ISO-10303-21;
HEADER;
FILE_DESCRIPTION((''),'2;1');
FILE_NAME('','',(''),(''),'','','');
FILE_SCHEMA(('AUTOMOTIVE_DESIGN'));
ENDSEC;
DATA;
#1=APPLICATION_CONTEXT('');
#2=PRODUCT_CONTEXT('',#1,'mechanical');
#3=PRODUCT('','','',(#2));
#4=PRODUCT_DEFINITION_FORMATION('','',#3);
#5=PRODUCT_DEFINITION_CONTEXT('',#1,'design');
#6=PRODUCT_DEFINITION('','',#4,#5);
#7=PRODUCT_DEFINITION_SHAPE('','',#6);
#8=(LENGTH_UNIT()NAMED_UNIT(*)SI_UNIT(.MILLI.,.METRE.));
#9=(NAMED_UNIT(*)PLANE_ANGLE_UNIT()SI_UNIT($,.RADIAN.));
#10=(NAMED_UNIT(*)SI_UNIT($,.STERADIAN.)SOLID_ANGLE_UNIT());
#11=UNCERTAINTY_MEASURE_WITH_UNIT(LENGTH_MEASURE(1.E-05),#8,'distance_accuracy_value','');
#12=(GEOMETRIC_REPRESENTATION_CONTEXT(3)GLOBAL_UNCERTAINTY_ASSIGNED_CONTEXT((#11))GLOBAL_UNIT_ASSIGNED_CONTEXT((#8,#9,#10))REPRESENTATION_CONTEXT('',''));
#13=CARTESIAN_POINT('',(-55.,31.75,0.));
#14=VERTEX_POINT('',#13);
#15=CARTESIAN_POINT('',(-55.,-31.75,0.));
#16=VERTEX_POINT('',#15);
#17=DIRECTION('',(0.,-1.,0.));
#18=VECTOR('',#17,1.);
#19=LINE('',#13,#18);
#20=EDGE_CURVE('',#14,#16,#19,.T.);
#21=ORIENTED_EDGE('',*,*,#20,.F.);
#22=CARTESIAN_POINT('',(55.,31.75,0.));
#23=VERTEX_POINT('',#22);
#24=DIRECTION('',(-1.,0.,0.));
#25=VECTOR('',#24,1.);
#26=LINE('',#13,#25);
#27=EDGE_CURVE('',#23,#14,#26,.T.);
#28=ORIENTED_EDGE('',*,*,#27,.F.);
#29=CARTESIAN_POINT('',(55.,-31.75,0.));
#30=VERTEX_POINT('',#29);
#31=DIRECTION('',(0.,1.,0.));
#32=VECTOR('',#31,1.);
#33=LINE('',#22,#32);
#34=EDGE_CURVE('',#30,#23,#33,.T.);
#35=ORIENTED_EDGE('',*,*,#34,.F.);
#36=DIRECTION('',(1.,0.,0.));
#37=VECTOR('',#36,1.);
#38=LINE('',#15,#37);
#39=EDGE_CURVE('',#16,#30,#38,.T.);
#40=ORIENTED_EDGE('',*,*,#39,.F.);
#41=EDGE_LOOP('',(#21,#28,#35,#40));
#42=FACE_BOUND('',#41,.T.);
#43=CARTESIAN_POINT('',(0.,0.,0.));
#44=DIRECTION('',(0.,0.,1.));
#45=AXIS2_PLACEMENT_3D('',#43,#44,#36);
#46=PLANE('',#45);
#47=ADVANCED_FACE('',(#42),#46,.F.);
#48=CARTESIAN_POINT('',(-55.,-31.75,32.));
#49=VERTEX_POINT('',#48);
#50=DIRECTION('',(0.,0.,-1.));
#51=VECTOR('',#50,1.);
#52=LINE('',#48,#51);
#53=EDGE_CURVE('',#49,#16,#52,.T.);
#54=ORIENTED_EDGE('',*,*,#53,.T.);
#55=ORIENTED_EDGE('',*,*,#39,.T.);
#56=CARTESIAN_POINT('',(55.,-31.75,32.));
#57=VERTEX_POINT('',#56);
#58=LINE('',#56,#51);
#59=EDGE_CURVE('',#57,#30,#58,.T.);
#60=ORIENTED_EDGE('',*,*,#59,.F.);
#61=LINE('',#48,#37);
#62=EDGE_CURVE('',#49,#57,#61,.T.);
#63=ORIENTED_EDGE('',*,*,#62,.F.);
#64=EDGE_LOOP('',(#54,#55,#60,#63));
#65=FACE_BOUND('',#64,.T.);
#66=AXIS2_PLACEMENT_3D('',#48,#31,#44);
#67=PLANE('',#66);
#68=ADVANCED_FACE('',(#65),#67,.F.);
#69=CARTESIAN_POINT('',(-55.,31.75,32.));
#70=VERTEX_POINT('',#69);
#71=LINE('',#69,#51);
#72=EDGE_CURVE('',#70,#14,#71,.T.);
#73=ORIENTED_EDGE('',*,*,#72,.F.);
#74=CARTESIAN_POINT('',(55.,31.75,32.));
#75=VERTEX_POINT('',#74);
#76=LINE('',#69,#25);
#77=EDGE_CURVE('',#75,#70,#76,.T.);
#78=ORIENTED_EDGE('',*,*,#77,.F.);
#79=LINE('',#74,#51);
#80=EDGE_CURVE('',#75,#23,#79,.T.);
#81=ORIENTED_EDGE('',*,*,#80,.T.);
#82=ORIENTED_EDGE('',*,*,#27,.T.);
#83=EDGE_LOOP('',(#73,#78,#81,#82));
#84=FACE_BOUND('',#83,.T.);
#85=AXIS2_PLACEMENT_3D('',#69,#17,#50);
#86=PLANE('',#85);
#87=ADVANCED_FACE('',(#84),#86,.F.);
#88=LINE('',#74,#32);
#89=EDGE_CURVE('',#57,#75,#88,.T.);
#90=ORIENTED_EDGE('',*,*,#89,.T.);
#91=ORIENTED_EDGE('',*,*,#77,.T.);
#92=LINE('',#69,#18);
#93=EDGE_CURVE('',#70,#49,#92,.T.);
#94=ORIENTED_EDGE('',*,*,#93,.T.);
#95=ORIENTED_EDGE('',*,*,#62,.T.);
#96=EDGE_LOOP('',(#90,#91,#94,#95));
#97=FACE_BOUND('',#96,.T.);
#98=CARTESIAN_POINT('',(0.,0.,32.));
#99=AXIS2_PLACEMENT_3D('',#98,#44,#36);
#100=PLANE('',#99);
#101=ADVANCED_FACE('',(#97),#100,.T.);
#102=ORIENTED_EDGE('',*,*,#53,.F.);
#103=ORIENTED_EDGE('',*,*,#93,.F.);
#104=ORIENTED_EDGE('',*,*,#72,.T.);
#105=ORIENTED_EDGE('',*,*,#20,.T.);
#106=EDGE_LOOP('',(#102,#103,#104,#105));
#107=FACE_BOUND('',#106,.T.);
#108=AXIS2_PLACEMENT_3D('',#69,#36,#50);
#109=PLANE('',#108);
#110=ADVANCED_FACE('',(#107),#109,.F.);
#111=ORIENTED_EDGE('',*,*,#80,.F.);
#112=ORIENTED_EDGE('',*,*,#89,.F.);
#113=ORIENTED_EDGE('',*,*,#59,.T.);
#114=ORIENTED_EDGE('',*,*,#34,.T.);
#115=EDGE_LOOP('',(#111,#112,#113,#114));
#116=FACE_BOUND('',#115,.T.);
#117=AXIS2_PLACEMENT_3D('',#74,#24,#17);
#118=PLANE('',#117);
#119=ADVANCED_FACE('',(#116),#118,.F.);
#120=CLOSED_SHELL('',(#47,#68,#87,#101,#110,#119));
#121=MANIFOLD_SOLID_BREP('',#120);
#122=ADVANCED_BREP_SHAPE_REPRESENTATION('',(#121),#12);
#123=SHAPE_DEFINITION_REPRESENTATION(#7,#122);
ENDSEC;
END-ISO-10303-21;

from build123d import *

# Parameters (mm, degrees)
CROQUIS1_W              = 110
CROQUIS1_H              = 63.5
SALIENTE_EXTRUIR1_DEPTH = 32


with BuildPart() as part:
    # Croquis1 → Saliente-Extruir1 (new body)
    with BuildSketch(Plane.XY):
        Rectangle(CROQUIS1_W, CROQUIS1_H)
    extrude(amount=SALIENTE_EXTRUIR1_DEPTH)


solid = part.part
